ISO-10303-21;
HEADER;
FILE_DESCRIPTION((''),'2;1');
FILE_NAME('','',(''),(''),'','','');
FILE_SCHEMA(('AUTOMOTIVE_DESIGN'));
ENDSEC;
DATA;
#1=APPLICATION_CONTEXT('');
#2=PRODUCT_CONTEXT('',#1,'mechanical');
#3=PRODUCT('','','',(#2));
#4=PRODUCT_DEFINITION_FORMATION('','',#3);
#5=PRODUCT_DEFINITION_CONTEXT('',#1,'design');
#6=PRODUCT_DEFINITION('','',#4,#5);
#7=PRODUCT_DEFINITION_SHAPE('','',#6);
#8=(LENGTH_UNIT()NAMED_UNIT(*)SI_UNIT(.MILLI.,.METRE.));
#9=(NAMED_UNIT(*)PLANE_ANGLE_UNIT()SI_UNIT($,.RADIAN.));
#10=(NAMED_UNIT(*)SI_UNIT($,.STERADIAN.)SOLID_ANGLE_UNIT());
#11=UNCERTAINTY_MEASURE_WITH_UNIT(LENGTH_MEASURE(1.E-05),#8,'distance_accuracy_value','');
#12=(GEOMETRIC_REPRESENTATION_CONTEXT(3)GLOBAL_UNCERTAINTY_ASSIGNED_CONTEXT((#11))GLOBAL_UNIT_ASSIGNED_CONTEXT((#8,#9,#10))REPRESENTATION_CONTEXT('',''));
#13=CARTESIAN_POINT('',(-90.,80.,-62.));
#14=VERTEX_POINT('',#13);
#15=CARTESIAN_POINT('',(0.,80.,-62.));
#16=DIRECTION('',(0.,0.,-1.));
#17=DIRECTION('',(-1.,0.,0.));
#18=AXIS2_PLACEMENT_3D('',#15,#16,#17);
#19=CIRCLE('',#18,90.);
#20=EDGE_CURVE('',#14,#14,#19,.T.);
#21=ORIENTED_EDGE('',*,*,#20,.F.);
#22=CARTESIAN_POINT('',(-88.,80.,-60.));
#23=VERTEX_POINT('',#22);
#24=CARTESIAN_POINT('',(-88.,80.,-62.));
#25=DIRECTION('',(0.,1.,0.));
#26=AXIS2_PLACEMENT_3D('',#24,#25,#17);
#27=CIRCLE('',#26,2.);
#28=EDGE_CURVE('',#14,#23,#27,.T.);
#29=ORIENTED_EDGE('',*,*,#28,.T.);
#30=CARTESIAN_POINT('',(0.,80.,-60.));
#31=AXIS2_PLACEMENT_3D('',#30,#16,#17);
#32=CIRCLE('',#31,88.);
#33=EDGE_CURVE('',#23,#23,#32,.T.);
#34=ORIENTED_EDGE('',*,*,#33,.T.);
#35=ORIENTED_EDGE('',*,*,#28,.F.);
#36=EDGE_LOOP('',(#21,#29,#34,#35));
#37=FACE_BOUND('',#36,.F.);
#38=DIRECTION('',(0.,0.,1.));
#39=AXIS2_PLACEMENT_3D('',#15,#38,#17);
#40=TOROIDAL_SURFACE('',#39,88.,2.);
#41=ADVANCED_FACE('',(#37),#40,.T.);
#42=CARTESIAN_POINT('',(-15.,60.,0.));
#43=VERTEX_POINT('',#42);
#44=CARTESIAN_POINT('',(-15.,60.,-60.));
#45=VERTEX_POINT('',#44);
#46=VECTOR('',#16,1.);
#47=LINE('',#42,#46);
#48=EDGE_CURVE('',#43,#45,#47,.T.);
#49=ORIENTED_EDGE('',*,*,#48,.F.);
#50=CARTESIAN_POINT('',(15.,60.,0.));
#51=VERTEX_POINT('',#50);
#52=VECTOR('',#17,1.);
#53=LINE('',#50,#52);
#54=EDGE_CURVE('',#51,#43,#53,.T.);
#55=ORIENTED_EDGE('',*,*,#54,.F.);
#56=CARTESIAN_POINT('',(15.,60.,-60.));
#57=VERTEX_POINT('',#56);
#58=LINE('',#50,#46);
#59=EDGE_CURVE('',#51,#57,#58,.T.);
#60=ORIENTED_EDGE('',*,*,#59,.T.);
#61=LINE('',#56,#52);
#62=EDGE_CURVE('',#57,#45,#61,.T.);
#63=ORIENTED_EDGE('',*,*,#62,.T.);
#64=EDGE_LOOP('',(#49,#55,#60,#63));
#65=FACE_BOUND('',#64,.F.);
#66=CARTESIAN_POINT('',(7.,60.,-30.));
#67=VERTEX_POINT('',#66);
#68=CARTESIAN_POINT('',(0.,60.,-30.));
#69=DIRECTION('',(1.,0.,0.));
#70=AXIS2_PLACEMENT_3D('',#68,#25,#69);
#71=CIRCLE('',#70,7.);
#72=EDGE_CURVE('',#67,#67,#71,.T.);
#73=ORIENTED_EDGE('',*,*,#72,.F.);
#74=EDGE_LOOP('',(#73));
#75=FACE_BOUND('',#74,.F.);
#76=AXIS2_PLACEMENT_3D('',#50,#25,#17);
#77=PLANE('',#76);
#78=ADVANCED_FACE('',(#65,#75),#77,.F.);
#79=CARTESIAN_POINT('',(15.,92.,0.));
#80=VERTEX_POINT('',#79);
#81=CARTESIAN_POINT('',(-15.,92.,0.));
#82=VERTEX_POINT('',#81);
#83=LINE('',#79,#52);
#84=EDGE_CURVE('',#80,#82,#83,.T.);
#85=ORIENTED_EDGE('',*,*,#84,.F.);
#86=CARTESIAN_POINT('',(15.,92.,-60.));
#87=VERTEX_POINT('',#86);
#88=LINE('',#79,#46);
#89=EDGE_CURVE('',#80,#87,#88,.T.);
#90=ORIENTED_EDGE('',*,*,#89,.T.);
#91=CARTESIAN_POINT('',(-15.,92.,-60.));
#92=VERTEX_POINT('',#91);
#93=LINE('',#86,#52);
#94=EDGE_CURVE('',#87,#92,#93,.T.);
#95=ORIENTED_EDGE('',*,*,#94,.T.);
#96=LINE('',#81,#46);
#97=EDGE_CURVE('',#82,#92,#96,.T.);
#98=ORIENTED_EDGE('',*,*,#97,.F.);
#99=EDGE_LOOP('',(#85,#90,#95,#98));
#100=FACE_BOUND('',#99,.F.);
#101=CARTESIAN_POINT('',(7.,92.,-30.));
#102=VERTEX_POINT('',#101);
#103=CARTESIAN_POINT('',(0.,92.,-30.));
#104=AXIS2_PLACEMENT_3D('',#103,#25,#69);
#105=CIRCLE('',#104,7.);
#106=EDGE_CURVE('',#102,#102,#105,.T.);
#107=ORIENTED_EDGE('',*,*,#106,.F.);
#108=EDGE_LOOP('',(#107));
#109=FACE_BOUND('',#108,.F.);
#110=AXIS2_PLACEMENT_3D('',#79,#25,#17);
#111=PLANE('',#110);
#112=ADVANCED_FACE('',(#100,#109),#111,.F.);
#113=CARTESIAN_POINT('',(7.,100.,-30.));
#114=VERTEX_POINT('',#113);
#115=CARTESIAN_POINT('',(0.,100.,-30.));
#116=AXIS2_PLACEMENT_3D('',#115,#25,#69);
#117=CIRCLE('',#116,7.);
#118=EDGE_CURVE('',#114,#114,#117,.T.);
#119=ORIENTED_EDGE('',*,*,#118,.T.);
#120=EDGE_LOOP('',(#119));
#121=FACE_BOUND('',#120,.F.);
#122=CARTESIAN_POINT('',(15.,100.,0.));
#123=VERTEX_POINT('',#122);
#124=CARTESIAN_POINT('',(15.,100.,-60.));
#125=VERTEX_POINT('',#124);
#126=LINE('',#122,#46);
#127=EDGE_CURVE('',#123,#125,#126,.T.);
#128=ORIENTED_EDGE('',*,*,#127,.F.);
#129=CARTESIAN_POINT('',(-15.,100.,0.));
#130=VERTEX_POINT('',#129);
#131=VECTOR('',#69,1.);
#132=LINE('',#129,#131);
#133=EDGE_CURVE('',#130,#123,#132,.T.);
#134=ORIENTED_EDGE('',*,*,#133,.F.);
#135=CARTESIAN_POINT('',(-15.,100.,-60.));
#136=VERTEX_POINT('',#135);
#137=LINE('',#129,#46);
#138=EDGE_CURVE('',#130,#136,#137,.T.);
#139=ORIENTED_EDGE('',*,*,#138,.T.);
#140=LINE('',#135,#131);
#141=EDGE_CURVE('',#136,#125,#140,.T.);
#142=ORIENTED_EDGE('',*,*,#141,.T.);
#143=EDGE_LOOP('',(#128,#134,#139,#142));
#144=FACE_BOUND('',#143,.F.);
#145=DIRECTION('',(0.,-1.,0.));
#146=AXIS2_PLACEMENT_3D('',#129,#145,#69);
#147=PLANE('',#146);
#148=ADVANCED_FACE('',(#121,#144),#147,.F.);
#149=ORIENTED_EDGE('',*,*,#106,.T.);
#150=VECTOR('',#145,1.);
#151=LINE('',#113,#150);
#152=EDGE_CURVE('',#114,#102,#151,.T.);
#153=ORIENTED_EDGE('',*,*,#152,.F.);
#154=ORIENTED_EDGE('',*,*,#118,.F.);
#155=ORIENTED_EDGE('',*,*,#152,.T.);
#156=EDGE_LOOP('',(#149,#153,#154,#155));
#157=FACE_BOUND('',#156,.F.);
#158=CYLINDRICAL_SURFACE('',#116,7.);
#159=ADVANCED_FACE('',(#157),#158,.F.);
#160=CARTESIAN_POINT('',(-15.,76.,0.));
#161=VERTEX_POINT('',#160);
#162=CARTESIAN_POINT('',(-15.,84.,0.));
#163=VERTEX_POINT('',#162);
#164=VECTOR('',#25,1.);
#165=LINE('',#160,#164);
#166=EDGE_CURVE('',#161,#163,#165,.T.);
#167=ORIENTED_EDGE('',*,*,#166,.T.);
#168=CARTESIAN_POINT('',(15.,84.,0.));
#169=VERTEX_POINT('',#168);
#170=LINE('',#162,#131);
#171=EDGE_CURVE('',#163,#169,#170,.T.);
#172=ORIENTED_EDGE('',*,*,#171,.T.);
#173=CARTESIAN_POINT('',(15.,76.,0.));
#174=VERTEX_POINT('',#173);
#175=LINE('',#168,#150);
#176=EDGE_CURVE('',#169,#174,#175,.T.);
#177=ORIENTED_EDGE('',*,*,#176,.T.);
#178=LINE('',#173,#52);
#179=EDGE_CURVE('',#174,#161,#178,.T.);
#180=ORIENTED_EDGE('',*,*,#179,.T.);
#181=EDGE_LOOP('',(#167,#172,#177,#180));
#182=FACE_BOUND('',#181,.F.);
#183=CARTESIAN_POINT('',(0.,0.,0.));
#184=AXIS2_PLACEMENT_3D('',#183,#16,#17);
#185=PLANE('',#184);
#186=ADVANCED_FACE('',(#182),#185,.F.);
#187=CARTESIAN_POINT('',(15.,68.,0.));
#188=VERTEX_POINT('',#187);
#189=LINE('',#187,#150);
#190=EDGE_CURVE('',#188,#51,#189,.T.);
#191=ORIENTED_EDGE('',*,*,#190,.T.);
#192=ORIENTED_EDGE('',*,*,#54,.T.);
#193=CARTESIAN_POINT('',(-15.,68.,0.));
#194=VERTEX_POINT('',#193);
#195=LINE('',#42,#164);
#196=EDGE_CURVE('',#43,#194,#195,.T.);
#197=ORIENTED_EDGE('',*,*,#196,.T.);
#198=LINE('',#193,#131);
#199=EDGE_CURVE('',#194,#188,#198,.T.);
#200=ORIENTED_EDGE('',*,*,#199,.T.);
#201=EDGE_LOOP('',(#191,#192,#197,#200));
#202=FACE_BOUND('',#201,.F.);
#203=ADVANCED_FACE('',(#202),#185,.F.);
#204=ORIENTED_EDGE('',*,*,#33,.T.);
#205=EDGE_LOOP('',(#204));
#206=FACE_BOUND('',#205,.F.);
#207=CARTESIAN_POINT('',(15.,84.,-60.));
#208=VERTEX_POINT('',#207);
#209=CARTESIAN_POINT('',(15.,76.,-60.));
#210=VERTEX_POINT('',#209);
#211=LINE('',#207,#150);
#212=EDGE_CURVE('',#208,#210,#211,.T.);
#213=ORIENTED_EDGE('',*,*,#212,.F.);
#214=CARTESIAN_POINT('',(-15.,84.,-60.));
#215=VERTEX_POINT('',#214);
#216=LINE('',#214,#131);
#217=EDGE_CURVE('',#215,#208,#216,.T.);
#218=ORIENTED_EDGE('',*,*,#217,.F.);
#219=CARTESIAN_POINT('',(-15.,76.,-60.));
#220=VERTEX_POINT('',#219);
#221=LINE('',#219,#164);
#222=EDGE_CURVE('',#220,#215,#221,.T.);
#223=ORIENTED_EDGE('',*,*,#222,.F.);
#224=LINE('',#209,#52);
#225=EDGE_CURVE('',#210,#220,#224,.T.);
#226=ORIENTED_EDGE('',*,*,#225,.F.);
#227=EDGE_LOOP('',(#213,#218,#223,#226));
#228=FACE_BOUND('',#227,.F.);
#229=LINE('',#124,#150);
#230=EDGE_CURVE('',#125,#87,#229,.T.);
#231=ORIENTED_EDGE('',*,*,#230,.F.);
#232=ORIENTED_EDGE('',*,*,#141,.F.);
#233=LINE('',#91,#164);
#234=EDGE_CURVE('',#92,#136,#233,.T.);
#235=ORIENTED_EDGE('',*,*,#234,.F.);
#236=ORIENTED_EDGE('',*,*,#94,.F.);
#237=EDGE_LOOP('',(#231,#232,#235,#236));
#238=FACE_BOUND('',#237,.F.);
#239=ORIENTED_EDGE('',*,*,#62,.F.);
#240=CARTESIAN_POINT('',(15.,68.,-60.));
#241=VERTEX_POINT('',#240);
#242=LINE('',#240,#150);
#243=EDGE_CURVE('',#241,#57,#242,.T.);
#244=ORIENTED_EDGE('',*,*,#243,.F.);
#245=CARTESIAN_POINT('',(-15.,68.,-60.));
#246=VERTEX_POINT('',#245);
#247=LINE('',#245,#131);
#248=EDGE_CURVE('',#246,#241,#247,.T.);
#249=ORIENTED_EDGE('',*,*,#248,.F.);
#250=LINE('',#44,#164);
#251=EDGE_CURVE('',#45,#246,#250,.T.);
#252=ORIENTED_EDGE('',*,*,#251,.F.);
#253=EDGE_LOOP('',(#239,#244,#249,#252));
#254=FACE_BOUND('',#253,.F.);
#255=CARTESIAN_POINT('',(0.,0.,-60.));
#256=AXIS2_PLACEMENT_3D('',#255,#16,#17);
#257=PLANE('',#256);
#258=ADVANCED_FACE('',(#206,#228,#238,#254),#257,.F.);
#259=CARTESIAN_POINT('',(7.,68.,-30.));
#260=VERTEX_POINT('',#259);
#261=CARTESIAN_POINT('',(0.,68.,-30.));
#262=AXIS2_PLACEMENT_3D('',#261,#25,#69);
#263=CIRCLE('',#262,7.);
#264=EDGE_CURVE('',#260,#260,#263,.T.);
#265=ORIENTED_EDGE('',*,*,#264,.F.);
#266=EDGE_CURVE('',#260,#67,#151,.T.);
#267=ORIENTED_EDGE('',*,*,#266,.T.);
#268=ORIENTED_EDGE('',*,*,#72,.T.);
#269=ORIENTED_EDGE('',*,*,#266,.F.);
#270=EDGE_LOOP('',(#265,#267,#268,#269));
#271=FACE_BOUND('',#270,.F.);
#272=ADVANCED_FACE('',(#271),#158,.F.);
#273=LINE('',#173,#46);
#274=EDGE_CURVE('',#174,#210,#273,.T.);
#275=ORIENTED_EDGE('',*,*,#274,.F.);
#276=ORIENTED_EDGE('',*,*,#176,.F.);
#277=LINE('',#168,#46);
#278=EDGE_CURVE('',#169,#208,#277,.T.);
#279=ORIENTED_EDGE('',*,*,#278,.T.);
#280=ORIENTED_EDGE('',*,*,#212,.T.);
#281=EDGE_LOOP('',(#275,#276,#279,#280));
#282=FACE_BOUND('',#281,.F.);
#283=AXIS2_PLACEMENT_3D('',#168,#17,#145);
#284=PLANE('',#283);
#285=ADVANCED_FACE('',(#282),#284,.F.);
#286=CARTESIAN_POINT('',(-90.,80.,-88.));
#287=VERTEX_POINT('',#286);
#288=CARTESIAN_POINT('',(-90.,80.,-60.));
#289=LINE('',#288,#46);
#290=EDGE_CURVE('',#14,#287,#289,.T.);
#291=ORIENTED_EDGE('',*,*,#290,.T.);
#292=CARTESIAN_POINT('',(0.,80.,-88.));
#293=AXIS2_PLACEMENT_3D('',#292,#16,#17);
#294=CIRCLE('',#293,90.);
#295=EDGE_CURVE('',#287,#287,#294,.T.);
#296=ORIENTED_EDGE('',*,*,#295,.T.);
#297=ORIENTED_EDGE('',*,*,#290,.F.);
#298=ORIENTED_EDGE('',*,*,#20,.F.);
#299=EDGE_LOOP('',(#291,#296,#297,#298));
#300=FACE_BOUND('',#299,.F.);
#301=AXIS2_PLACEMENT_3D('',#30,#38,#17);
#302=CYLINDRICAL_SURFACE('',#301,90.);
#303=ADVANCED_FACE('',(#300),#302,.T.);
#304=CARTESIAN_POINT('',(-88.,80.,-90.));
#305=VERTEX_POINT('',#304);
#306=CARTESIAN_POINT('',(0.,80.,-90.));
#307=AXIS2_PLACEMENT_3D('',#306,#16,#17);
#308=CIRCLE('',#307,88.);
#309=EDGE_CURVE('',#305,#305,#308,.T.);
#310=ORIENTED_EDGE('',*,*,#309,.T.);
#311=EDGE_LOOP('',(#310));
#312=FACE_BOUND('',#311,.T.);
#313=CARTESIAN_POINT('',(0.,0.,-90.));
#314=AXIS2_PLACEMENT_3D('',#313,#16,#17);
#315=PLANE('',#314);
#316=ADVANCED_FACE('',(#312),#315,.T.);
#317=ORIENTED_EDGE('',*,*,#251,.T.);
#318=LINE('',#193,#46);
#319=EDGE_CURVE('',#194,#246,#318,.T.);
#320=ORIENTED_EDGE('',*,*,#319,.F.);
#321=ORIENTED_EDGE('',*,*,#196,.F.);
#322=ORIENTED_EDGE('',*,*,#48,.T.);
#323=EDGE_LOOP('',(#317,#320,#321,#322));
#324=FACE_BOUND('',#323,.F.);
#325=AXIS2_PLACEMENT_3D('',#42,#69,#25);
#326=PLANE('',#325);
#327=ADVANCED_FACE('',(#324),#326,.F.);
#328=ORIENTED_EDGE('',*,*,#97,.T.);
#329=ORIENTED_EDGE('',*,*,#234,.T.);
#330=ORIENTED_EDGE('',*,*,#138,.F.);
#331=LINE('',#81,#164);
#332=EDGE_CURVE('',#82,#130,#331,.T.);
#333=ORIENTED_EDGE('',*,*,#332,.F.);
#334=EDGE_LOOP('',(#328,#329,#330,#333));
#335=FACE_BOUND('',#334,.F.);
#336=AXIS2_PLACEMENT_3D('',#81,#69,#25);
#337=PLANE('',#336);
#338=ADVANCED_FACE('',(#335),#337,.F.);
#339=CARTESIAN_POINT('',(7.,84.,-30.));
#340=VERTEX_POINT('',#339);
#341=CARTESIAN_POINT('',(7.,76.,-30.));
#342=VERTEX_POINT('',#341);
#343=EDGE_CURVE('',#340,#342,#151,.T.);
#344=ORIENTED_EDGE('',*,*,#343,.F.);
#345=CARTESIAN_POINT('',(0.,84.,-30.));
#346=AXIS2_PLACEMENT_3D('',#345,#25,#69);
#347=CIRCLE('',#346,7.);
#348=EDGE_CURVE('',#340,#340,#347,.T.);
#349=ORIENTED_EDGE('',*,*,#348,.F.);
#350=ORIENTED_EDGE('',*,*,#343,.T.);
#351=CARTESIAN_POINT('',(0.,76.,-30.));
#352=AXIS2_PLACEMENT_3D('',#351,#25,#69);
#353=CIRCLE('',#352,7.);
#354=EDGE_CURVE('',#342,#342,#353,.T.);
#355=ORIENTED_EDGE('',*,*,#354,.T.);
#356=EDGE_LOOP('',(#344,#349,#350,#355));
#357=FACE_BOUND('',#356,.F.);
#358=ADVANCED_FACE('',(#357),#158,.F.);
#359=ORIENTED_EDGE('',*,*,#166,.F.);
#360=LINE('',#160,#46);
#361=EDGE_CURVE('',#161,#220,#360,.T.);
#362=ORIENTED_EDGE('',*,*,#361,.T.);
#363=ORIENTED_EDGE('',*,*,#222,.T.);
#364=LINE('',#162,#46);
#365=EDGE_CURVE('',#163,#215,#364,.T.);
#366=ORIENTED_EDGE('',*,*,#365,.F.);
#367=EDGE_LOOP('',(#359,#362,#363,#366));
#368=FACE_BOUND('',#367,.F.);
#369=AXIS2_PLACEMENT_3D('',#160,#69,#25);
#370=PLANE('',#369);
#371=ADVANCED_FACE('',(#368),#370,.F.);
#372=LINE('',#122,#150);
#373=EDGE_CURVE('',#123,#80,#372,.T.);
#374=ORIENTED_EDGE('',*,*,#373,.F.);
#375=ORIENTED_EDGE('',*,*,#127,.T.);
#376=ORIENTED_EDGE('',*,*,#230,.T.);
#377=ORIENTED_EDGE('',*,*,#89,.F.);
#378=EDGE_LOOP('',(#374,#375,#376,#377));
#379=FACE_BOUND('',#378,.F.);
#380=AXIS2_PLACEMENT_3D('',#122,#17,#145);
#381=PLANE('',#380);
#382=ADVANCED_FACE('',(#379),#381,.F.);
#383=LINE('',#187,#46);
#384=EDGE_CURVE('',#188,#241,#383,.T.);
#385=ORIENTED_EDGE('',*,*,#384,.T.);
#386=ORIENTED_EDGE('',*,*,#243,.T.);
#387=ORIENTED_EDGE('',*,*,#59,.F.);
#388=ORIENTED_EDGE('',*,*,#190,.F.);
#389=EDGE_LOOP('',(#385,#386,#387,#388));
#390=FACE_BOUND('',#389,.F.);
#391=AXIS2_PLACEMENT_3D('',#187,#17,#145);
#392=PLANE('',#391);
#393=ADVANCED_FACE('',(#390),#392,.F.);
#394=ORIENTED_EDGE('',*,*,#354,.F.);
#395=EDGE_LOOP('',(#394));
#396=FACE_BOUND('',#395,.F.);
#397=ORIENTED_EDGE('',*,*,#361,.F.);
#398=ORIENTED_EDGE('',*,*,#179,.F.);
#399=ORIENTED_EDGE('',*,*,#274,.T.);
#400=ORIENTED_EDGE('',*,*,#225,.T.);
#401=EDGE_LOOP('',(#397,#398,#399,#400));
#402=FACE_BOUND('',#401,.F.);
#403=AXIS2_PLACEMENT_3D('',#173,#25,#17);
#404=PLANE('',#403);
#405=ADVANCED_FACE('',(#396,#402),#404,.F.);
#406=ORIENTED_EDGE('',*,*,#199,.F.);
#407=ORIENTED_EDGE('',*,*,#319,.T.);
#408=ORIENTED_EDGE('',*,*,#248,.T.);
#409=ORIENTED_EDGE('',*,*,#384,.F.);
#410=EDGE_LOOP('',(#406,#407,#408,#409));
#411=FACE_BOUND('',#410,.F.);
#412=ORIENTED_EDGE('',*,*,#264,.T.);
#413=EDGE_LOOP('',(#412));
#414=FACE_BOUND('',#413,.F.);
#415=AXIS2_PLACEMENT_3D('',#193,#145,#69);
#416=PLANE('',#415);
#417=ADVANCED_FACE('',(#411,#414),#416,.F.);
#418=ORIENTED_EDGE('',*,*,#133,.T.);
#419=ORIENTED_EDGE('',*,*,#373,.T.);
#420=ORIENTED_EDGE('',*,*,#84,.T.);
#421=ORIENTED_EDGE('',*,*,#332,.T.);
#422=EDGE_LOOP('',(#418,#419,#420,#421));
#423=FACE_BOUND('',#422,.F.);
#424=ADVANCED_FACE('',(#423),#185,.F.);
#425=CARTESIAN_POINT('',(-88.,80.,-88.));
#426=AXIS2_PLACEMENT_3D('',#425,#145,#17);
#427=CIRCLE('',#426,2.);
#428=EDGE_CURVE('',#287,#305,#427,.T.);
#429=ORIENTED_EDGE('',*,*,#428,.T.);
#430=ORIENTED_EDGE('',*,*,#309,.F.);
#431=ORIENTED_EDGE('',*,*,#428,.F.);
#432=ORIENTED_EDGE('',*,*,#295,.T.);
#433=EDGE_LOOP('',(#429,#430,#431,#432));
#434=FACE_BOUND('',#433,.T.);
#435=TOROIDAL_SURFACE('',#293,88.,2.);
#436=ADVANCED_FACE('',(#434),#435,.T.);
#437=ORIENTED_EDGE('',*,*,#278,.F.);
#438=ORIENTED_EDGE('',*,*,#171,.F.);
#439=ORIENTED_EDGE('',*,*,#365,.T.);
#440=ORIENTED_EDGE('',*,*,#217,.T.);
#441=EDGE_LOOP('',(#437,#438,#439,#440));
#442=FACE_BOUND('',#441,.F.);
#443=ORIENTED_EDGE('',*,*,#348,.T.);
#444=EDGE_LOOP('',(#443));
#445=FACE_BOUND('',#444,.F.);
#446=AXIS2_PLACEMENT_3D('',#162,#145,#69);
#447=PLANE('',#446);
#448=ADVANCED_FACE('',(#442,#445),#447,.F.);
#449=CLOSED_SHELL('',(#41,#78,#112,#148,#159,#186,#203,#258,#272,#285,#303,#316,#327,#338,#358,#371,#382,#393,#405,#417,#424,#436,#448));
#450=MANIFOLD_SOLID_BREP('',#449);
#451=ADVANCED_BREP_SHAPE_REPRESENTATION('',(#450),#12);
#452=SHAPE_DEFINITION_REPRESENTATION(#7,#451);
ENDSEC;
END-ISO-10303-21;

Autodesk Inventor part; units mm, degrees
ref_plane "Arbeitsebene1" through (0, 0, 0) normal (0, 0, -1) x (-1, 0, 0)
sketch "Skizze3" plane through (0, 0, 0) normal (0, 0, -1) x (-1, 0, 0)
  point P0 (0, 0)
ref_plane "Arbeitsebene4" through (0, 0, 0) normal (0, 0, -1) x (-1, 0, 0)
sketch "Skizze4" plane through (0, 0, 0) normal (0, 0, -1) x (-1, 0, 0)
  line L0 (15, 68) -> (-15, 68)
  line L1 (-15, 68) -> (-15, 60)
  line L2 (-15, 60) -> (15, 60)
  line L3 (15, 60) -> (15, 68)
  line L4 (-15, 76) -> (15, 76)
  line L5 (15, 76) -> (15, 84)
  line L6 (15, 84) -> (-15, 84)
  line L7 (-15, 84) -> (-15, 76)
  line L8 (-15, 92) -> (15, 92)
  line L9 (15, 92) -> (15, 100)
  line L10 (15, 100) -> (-15, 100)
  line L11 (-15, 100) -> (-15, 92)
  point P0 (0, 0)
  dimension "d7" = 30
  dimension "d8" = 8
  dimension "d9" = 30
  dimension "d10" = 8
  dimension "d11" = 8
extrude "Extrusion3" add sketch "Skizze4" along normal blind 60
ref_plane "Arbeitsebene3" through (-15, 100, 0) normal (0, 1, 0) x (1, 0, 0)
sketch "Skizze5" plane through (-15, 100, 0) normal (0, 1, 0) x (1, 0, 0)
  circle A0 centre (15, 30) radius 7
  line L0 (0, 60) -> (30, 60) projected
  arc A1 (30, 60) -> (0, 60) centre (15, 60) ccw
  point P0 (15, 0)
  dimension "d14" = 14
  dimension "d15" = 15
extrude "Extrusion4" cut sketch "Skizze5" against normal blind 40 contours A0
sketch "Skizze6" plane through (0, 0, -60) normal (0, 0, -1) x (-1, 0, 0)
  circle A0 centre (0, 80) radius 90
  point P0 (0, 0)
  point P1 (-15, 76)
  dimension "d19" = 180
extrude "Extrusion5" add sketch "Skizze6" along normal blind 30
fillet "Rundung1" radius 2 2 edges at (90, 80, -90) (90, 80, -60)
sketch "Skizze8" plane through (0, 80, -90) normal (0, 0, -1) x (-1, 0, 0)
  point P0 (0, -80)
properties part number "Press_Stempel"
